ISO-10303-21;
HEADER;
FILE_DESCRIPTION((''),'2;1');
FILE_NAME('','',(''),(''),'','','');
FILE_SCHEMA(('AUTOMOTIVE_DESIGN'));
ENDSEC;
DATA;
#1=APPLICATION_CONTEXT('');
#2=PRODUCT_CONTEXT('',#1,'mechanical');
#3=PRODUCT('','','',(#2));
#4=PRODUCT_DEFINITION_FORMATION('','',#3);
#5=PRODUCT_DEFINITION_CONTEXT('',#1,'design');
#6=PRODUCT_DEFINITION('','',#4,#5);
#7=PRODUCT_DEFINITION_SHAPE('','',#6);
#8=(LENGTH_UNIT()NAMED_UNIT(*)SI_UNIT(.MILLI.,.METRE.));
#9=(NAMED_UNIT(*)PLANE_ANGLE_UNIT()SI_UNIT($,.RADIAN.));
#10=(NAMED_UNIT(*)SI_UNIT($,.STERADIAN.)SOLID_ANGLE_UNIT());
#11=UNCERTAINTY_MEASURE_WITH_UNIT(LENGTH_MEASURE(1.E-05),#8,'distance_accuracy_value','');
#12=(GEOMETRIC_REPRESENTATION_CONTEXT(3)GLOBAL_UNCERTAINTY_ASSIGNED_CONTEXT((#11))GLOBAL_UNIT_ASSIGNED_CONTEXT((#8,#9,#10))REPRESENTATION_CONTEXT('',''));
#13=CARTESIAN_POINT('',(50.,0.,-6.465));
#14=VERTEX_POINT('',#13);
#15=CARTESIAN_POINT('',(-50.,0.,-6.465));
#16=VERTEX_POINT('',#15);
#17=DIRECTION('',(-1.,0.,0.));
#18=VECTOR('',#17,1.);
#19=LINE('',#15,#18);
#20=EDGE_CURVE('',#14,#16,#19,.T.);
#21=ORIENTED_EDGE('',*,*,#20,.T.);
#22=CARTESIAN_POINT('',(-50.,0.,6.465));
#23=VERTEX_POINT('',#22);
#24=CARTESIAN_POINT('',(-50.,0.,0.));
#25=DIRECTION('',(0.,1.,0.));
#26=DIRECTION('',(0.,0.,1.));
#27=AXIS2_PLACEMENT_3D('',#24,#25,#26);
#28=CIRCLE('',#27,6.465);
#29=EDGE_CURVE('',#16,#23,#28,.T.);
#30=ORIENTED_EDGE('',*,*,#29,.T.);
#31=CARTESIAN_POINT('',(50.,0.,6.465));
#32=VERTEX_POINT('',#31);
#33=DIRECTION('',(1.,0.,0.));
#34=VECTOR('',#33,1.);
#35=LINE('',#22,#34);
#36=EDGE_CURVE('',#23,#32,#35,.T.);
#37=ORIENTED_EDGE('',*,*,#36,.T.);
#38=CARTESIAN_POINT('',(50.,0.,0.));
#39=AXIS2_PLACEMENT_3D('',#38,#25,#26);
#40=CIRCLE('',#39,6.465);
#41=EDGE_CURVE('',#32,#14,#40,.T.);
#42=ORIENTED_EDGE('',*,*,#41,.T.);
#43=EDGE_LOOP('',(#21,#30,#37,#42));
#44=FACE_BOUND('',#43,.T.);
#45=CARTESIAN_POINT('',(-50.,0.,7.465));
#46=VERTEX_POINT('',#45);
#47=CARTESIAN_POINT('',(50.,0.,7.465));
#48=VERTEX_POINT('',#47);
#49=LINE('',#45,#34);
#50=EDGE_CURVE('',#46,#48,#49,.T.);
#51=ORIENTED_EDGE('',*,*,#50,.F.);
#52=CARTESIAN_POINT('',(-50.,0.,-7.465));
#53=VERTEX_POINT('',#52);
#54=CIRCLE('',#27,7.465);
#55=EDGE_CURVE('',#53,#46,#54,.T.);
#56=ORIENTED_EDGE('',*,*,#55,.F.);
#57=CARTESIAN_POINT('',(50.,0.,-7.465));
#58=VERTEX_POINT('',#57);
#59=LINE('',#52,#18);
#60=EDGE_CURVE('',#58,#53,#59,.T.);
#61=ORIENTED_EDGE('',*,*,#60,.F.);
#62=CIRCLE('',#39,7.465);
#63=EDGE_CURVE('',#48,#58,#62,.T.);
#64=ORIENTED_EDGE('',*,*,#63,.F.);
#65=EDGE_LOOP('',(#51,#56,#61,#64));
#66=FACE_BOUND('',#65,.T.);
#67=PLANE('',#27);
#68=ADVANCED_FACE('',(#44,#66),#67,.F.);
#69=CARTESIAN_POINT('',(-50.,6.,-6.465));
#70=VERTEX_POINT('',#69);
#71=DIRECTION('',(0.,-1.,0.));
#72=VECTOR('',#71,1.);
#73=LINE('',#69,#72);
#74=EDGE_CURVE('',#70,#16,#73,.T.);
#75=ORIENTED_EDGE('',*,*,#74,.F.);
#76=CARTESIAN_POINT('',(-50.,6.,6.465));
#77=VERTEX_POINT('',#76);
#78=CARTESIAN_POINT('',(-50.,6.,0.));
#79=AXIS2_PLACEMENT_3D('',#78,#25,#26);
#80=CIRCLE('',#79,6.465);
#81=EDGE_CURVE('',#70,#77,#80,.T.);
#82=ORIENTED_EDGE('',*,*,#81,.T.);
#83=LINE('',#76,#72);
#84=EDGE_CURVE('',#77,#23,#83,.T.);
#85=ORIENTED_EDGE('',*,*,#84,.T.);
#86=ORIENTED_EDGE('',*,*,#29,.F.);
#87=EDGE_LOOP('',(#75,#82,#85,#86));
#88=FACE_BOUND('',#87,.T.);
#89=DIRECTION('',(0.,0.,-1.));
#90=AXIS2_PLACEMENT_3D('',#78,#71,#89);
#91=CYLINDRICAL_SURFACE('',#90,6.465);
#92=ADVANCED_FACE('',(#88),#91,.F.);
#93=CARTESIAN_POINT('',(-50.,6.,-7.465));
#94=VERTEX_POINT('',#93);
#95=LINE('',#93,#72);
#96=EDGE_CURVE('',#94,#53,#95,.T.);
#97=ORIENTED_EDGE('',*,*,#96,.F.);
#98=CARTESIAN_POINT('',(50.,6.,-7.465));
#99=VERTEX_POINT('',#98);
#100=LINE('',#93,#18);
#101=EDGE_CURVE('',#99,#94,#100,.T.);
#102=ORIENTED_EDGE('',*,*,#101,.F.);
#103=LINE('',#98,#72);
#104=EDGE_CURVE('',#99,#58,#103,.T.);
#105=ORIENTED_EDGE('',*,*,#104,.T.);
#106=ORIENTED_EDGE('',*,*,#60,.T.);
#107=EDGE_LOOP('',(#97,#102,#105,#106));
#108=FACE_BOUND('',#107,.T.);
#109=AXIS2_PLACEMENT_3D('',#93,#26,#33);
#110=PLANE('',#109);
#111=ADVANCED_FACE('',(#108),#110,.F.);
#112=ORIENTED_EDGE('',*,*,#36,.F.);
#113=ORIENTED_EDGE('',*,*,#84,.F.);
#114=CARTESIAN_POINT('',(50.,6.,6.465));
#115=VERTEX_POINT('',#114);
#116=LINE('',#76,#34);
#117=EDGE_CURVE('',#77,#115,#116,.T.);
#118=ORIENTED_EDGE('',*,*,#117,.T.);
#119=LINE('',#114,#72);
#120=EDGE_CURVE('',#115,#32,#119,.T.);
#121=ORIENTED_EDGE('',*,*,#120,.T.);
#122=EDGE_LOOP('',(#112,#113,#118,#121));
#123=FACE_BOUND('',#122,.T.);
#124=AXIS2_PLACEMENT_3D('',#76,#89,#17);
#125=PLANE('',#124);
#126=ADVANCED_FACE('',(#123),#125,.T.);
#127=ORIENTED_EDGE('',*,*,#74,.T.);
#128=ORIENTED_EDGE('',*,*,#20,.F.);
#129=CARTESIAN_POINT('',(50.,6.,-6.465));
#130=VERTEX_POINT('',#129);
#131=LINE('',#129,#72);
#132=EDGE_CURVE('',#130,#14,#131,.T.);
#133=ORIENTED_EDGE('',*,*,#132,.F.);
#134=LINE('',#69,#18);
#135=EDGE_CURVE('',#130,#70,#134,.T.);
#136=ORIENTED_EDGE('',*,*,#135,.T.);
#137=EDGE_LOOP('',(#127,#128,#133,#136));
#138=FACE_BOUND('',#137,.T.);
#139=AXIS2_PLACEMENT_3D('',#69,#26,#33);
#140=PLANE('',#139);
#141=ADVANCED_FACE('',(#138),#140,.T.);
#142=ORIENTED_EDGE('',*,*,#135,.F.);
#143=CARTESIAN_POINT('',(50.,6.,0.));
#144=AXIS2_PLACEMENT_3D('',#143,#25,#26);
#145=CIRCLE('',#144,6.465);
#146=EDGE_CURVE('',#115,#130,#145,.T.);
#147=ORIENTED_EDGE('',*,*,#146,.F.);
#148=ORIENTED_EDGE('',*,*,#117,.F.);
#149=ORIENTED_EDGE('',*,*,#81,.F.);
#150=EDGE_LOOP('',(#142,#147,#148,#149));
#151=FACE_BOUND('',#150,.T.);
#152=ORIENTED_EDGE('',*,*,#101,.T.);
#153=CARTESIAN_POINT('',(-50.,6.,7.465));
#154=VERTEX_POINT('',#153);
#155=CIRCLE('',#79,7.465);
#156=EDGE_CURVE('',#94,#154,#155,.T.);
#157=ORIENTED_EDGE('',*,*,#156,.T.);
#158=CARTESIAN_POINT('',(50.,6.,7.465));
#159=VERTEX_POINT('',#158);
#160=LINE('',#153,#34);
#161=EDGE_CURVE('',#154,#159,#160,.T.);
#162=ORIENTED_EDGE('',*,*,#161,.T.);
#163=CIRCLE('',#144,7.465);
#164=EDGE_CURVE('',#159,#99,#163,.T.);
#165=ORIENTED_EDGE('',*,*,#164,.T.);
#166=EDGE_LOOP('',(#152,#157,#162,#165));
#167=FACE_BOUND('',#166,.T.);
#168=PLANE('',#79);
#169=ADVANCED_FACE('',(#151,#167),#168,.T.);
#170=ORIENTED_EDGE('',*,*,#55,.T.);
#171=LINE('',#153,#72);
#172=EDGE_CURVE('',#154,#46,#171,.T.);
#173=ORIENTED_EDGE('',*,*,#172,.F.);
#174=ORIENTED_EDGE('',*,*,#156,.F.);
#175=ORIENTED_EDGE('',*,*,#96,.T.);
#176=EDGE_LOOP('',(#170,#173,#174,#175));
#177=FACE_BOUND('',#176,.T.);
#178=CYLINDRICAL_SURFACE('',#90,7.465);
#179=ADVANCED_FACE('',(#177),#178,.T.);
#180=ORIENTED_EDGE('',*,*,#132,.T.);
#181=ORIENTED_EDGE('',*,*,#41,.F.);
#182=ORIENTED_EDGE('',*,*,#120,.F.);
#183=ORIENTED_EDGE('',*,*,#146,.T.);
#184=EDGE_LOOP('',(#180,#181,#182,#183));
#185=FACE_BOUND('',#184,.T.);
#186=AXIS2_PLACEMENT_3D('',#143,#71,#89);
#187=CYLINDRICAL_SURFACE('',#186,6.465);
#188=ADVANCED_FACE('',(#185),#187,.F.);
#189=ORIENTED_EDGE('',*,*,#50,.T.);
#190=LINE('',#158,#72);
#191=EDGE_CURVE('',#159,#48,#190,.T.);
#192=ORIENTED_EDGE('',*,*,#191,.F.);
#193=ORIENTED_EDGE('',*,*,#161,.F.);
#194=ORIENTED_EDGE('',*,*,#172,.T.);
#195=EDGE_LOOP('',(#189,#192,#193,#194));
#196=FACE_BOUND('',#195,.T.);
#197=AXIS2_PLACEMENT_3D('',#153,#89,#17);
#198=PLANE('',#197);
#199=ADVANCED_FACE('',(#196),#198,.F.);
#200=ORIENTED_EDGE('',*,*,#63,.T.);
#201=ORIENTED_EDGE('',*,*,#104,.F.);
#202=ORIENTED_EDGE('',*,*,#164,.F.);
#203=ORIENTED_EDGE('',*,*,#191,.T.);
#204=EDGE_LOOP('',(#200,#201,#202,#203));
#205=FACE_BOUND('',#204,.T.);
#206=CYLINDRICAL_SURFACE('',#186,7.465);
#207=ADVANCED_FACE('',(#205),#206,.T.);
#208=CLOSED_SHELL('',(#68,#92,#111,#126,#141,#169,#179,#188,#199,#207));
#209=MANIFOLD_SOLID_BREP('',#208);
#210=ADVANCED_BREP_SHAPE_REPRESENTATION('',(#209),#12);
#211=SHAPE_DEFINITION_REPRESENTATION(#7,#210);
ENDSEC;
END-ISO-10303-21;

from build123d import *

# Parameters (mm, degrees)
EXTRUDE_1_DEPTH = 6


with BuildPart() as part:
    # 草图1 → 凸台-拉伸1 (new body)
    with BuildSketch(Plane(origin=(0, 0, 0), x_dir=(1, 0, 0), z_dir=(0, 1, 0))):
        with BuildLine():
            Line((-50, 7.465), (50, 7.465))
            ThreePointArc((50, 7.465), (57.465, 0), (50, -7.465))
            Line((50, -7.465), (-50, -7.465))
            ThreePointArc((-50, -7.465), (-57.465, 0), (-50, 7.465))
        make_face()
        with BuildLine():
            Line((-50, 6.465), (50, 6.465))
            ThreePointArc((50, 6.465), (56.465, 0), (50, -6.465))
            Line((50, -6.465), (-50, -6.465))
            ThreePointArc((-50, -6.465), (-56.465, 0), (-50, 6.465))
        make_face(mode=Mode.SUBTRACT)
    extrude(amount=EXTRUDE_1_DEPTH)


solid = part.part
